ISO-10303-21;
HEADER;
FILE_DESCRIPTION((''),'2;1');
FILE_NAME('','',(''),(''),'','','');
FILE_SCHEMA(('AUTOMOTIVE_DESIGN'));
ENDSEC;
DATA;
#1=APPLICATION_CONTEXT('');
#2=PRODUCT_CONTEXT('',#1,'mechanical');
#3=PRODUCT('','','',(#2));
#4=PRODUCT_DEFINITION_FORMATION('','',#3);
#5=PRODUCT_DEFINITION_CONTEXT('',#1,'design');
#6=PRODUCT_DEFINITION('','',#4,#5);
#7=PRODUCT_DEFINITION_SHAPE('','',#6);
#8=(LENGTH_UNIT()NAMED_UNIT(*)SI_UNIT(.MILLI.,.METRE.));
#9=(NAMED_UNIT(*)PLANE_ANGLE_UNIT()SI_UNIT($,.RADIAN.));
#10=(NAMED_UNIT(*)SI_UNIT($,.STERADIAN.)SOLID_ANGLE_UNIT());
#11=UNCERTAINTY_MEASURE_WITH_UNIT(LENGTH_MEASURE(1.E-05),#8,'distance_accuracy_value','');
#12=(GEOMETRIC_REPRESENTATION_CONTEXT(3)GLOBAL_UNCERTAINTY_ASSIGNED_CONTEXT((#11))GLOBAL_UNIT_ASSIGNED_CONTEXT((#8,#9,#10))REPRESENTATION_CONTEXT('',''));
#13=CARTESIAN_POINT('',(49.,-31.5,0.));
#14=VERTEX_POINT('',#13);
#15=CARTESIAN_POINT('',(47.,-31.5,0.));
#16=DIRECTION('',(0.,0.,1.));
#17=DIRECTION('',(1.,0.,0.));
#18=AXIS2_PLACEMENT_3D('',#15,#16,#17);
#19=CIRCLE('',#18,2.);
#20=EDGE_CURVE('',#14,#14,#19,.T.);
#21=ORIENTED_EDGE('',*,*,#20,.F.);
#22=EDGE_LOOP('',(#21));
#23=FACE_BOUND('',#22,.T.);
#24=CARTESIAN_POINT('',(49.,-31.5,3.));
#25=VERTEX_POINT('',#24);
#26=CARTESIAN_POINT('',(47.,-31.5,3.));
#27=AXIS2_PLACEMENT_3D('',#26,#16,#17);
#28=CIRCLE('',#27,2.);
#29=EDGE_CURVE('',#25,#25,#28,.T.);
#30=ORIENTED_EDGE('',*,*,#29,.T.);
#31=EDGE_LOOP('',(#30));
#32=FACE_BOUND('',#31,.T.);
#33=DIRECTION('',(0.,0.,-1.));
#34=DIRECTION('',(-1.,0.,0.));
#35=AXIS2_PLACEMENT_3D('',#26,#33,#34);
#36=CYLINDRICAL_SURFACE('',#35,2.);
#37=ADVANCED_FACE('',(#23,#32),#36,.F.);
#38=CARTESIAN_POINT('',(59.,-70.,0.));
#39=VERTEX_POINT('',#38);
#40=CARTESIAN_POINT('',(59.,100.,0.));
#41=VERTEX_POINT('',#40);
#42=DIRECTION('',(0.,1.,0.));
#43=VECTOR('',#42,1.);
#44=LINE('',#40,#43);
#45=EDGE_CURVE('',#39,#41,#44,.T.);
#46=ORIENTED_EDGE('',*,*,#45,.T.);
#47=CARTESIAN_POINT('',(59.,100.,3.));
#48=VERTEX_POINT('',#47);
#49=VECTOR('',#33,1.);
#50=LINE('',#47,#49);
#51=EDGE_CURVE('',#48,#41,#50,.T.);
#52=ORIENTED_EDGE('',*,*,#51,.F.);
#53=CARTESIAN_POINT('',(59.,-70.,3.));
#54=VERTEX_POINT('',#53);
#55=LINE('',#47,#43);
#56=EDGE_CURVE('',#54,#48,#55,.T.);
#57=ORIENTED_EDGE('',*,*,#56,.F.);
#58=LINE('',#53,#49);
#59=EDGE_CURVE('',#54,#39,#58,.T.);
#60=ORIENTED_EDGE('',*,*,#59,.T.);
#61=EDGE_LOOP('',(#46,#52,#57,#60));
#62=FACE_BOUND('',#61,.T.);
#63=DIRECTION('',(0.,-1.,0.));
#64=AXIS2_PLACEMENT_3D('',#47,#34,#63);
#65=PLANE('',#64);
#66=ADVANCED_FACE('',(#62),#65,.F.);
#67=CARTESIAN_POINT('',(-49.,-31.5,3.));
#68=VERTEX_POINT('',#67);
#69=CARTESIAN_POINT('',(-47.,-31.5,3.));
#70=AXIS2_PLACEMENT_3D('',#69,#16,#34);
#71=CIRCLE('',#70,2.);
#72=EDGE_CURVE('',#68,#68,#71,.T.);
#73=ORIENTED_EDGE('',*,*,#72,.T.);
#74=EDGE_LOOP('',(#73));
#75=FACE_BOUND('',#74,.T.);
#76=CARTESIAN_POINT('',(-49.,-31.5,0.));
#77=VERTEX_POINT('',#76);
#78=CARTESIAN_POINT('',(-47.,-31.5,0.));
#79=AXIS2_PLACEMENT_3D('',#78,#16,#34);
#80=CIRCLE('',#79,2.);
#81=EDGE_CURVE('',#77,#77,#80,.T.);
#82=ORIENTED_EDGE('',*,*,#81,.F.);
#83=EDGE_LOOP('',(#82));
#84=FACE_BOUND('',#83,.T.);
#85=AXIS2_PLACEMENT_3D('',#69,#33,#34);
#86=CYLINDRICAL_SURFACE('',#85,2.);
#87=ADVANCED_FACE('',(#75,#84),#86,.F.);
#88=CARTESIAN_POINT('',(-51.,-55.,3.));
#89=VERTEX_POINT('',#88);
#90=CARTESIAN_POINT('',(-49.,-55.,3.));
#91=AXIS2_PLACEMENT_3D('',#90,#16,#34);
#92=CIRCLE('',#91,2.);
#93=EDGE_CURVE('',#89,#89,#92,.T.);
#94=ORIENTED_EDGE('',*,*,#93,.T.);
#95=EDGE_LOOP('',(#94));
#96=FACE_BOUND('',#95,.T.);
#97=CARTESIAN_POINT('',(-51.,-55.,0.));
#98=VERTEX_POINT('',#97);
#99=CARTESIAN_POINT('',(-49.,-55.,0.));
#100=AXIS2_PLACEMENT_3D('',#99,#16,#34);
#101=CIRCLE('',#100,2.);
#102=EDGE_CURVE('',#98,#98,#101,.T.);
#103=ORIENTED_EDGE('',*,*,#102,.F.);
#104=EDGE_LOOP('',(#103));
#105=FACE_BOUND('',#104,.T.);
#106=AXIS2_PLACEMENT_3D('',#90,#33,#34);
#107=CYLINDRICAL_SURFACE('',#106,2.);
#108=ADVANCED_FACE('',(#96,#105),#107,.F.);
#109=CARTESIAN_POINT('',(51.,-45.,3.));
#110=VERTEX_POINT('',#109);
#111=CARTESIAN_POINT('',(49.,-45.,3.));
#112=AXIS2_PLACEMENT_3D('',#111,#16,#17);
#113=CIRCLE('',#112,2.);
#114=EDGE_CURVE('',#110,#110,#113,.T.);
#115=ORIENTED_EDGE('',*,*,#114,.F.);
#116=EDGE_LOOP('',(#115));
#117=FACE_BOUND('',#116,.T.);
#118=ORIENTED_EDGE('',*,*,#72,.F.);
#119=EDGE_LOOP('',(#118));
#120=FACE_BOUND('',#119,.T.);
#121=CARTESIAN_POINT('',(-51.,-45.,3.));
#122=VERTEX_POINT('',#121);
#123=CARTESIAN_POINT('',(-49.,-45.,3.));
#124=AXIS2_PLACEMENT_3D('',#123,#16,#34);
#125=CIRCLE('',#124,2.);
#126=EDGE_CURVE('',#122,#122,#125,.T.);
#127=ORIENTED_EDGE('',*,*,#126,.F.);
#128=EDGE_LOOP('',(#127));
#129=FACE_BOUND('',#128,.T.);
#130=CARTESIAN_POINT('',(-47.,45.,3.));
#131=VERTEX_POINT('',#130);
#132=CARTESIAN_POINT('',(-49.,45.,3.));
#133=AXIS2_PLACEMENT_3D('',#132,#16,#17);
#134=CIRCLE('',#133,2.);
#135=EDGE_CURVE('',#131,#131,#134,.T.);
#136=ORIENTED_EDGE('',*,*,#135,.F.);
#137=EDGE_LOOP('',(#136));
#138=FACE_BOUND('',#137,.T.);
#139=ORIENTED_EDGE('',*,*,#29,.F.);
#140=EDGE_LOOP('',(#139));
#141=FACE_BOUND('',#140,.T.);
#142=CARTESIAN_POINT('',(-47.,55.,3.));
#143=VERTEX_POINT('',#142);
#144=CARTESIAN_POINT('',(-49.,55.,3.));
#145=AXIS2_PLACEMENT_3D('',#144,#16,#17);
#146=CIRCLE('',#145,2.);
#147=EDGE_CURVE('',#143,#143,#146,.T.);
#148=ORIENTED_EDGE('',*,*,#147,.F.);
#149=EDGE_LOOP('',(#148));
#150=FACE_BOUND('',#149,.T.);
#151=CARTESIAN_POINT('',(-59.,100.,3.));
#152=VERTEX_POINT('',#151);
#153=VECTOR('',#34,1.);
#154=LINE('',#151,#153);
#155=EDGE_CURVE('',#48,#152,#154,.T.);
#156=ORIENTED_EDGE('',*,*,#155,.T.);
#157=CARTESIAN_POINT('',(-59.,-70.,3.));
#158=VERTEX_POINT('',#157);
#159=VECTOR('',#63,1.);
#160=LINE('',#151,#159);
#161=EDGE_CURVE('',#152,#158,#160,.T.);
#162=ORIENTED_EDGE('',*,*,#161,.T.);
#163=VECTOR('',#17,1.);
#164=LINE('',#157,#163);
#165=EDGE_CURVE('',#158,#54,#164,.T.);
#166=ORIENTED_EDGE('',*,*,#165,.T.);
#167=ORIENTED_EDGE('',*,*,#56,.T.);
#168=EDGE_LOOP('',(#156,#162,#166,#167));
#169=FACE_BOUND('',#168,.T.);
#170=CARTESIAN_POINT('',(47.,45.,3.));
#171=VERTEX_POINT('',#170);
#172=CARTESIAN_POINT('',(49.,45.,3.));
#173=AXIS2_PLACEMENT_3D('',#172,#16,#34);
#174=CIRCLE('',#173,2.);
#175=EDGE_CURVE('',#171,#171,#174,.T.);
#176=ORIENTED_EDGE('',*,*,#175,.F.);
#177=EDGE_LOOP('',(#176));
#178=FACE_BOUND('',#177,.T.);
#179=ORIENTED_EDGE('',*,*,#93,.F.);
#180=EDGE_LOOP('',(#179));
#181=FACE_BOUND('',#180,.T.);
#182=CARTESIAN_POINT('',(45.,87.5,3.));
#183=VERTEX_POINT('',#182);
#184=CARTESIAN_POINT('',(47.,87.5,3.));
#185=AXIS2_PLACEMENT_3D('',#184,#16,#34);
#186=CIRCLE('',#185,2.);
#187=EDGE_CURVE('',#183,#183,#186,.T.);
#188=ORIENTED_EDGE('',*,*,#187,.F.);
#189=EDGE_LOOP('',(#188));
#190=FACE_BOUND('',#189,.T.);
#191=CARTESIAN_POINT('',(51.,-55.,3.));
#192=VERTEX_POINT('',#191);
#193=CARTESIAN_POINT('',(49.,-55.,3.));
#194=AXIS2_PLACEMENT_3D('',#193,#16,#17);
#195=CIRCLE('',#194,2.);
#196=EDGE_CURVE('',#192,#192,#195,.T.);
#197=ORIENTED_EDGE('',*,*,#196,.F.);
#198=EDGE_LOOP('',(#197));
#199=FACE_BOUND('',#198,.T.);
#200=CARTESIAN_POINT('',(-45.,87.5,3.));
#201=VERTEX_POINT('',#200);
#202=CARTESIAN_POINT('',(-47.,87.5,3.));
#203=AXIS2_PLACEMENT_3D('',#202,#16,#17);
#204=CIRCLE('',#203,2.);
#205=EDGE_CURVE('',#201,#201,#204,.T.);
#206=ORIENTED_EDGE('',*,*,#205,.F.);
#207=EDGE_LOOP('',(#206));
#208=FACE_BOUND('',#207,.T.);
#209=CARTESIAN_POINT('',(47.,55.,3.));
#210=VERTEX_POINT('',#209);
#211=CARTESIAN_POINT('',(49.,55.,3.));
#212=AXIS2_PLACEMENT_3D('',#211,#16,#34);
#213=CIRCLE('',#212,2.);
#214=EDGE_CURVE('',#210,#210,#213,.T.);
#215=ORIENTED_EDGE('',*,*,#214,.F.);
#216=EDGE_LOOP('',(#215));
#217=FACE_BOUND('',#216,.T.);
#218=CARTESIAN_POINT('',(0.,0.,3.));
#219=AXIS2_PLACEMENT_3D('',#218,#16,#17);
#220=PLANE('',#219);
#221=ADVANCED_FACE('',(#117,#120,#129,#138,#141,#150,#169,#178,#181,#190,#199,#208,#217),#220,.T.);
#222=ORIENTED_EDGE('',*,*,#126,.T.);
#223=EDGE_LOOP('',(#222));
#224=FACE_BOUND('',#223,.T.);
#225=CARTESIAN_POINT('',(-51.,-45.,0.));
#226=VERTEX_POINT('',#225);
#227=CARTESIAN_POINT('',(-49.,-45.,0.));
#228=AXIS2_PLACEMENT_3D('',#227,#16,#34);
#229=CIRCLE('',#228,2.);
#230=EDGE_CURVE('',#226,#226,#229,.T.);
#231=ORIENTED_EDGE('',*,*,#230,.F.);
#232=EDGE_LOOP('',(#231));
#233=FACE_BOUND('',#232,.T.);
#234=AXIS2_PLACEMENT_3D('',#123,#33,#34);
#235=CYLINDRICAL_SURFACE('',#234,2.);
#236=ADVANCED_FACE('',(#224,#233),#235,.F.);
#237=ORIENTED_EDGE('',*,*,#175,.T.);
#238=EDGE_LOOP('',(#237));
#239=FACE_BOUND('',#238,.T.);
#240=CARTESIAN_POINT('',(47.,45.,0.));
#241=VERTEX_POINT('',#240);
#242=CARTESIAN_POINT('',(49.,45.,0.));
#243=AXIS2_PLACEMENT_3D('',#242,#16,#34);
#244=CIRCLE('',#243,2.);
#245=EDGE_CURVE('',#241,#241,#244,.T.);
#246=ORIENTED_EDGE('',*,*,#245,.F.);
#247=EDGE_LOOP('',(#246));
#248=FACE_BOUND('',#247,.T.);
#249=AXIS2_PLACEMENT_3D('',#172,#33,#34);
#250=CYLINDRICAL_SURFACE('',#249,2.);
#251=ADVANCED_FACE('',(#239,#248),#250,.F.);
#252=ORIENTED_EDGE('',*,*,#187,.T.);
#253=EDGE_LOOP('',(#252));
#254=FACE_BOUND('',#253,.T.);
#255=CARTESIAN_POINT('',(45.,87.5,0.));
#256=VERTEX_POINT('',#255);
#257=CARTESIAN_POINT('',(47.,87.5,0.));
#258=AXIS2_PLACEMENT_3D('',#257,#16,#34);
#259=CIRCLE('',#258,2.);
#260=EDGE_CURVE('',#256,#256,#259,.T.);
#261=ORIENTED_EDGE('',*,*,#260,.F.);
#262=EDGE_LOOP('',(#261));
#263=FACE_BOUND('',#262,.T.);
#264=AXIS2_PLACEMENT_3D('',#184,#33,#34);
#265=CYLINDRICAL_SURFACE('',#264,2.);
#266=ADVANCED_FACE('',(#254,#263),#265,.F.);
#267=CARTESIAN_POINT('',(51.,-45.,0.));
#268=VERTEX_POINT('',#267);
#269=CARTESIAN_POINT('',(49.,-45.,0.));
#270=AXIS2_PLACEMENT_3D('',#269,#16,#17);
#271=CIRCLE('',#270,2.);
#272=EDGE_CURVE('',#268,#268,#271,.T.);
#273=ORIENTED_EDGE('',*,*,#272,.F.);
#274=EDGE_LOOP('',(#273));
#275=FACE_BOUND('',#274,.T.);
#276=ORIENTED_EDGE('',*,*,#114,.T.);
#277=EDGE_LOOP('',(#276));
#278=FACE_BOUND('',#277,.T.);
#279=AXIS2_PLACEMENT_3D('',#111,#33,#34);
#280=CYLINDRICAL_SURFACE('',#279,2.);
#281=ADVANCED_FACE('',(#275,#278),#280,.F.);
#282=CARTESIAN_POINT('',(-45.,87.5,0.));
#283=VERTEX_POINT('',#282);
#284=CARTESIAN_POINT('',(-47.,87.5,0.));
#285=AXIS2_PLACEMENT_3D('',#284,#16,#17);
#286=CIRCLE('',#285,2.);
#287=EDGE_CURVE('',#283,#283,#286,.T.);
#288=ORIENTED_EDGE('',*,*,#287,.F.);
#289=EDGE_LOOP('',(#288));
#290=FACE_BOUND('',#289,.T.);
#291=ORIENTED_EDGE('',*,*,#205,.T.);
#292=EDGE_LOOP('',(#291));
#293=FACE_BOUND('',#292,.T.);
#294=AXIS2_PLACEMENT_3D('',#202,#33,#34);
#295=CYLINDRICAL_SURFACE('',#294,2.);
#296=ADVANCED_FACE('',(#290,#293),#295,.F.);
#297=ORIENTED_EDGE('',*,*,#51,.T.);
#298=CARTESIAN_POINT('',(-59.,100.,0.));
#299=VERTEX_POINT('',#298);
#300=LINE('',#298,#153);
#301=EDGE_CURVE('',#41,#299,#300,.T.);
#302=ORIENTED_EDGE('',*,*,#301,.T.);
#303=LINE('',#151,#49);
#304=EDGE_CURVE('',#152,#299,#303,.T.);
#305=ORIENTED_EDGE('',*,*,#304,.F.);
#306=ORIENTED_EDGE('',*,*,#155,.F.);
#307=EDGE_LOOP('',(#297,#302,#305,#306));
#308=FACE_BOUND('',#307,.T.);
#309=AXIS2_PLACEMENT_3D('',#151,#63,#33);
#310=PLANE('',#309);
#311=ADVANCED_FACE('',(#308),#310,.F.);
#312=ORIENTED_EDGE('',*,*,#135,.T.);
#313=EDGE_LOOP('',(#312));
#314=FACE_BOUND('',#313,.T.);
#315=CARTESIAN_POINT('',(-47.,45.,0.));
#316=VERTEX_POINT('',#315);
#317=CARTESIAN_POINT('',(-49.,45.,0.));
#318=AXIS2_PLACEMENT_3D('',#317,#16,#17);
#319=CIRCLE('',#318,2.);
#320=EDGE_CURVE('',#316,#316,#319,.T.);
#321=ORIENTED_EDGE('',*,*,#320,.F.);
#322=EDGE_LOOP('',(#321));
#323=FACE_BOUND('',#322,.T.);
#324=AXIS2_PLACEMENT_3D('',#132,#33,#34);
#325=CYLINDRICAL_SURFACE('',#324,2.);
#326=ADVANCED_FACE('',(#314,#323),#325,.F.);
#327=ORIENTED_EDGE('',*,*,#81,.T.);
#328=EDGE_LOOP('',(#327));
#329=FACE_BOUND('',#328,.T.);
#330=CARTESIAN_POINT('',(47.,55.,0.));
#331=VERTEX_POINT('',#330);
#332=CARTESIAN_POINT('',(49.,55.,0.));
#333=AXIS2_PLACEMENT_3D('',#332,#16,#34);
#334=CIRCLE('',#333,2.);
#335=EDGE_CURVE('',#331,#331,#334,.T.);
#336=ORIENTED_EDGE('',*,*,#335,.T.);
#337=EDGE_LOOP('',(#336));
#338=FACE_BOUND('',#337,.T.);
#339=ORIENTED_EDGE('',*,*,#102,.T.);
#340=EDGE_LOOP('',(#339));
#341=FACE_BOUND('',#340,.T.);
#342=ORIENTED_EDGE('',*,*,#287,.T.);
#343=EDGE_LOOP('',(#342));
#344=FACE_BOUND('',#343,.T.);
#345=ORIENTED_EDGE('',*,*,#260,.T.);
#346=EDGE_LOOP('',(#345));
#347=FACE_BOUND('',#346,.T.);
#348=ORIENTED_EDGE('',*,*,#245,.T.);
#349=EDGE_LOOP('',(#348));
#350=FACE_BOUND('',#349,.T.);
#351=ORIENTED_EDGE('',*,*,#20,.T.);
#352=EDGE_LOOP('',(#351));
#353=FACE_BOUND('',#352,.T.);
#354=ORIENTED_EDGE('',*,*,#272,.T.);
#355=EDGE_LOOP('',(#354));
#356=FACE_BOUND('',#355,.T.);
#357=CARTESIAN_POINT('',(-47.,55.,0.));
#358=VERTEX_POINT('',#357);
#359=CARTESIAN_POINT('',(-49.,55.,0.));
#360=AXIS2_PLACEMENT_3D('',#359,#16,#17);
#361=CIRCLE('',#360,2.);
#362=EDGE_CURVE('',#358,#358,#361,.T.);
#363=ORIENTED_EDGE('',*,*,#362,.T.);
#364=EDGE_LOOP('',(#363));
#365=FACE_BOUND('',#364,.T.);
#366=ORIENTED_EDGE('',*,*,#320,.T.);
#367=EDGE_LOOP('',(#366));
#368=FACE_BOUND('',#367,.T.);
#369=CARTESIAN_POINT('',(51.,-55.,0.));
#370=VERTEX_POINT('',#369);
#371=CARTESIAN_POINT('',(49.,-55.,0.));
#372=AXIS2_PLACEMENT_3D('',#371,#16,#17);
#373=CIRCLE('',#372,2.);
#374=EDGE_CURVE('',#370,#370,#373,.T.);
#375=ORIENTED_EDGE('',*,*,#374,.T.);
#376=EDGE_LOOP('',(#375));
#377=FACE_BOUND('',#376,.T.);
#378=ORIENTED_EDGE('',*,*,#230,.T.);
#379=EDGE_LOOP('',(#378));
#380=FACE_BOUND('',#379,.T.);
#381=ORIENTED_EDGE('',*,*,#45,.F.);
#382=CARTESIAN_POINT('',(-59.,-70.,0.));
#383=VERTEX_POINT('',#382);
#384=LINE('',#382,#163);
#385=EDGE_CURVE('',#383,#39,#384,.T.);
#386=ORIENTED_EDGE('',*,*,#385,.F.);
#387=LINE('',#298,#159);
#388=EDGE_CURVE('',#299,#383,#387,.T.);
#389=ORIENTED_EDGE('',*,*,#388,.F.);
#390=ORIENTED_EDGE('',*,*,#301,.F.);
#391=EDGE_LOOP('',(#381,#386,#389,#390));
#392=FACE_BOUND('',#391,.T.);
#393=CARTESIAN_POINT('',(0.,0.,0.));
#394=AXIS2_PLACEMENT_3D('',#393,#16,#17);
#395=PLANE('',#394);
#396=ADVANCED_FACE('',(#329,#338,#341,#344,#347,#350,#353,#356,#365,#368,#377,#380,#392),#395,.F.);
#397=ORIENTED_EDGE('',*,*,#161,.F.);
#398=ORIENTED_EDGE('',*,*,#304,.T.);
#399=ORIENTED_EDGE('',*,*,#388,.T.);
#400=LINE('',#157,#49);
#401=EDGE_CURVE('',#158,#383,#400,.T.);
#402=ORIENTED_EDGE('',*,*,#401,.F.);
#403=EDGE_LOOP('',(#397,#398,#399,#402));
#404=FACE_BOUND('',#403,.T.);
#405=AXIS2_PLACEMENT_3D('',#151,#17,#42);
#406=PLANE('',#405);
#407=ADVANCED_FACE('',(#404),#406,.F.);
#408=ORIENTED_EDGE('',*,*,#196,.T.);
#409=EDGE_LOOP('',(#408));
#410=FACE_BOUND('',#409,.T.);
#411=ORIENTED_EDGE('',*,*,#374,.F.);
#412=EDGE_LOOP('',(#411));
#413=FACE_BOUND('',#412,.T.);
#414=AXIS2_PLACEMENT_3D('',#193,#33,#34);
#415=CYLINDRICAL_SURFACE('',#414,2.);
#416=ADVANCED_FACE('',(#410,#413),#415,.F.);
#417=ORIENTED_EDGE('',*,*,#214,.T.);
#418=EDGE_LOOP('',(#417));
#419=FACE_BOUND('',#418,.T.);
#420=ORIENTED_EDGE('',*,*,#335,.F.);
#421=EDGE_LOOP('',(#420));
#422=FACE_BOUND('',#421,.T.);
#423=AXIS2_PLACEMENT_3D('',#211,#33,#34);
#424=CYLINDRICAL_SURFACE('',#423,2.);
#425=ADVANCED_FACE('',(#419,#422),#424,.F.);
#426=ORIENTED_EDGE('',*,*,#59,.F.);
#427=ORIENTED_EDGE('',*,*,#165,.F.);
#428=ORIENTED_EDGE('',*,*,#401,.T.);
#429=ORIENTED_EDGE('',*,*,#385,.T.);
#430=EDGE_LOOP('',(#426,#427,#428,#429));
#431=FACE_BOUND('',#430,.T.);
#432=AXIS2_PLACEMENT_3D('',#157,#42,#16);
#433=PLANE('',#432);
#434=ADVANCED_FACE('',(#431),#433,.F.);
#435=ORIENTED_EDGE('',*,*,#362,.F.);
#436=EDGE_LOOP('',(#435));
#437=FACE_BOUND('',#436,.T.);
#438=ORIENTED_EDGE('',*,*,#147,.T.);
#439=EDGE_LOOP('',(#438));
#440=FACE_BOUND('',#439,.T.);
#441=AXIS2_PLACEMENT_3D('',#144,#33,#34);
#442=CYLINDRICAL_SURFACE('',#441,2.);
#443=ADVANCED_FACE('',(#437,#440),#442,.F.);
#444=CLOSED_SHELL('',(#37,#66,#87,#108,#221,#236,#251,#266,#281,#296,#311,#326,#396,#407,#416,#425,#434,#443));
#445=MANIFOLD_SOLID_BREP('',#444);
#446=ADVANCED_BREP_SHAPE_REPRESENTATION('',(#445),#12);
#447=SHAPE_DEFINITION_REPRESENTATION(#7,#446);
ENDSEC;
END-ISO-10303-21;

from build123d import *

# Parameters (mm, degrees)
SKETCH_1_W      = 118
SKETCH_1_H      = 170
SKETCH_1_R      = 2
EXTRUDE_1_DEPTH = 3


with BuildPart() as part:
    # 草图1 → 凸台-拉伸1 (new body)
    with BuildSketch(Plane.XY):
        with Locations((0, 15)):
            Rectangle(SKETCH_1_W, SKETCH_1_H)
        with Locations((-49, 55)):
            Circle(SKETCH_1_R, mode=Mode.SUBTRACT)
        with Locations((-49, 45)):
            Circle(SKETCH_1_R, mode=Mode.SUBTRACT)
        with Locations(Location((49, 45, 0), (0, 0, 180))):
            Circle(SKETCH_1_R, mode=Mode.SUBTRACT)
        with Locations(Location((49, 55, 0), (0, 0, 180))):
            Circle(SKETCH_1_R, mode=Mode.SUBTRACT)
        with Locations((49, -45)):
            Circle(SKETCH_1_R, mode=Mode.SUBTRACT)
        with Locations((49, -55)):
            Circle(SKETCH_1_R, mode=Mode.SUBTRACT)
        with Locations(Location((-49, -45, 0), (0, 0, 180))):
            Circle(SKETCH_1_R, mode=Mode.SUBTRACT)
        with Locations(Location((-49, -55, 0), (0, 0, 180))):
            Circle(SKETCH_1_R, mode=Mode.SUBTRACT)
        with Locations((-47, 87.5)):
            Circle(SKETCH_1_R, mode=Mode.SUBTRACT)
        with Locations(Location((47, 87.5, 0), (0, 0, 180))):
            Circle(SKETCH_1_R, mode=Mode.SUBTRACT)
        with Locations((47, -31.5)):
            Circle(SKETCH_1_R, mode=Mode.SUBTRACT)
        with Locations(Location((-47, -31.5, 0), (0, 0, 180))):
            Circle(SKETCH_1_R, mode=Mode.SUBTRACT)
    extrude(amount=EXTRUDE_1_DEPTH)


solid = part.part
